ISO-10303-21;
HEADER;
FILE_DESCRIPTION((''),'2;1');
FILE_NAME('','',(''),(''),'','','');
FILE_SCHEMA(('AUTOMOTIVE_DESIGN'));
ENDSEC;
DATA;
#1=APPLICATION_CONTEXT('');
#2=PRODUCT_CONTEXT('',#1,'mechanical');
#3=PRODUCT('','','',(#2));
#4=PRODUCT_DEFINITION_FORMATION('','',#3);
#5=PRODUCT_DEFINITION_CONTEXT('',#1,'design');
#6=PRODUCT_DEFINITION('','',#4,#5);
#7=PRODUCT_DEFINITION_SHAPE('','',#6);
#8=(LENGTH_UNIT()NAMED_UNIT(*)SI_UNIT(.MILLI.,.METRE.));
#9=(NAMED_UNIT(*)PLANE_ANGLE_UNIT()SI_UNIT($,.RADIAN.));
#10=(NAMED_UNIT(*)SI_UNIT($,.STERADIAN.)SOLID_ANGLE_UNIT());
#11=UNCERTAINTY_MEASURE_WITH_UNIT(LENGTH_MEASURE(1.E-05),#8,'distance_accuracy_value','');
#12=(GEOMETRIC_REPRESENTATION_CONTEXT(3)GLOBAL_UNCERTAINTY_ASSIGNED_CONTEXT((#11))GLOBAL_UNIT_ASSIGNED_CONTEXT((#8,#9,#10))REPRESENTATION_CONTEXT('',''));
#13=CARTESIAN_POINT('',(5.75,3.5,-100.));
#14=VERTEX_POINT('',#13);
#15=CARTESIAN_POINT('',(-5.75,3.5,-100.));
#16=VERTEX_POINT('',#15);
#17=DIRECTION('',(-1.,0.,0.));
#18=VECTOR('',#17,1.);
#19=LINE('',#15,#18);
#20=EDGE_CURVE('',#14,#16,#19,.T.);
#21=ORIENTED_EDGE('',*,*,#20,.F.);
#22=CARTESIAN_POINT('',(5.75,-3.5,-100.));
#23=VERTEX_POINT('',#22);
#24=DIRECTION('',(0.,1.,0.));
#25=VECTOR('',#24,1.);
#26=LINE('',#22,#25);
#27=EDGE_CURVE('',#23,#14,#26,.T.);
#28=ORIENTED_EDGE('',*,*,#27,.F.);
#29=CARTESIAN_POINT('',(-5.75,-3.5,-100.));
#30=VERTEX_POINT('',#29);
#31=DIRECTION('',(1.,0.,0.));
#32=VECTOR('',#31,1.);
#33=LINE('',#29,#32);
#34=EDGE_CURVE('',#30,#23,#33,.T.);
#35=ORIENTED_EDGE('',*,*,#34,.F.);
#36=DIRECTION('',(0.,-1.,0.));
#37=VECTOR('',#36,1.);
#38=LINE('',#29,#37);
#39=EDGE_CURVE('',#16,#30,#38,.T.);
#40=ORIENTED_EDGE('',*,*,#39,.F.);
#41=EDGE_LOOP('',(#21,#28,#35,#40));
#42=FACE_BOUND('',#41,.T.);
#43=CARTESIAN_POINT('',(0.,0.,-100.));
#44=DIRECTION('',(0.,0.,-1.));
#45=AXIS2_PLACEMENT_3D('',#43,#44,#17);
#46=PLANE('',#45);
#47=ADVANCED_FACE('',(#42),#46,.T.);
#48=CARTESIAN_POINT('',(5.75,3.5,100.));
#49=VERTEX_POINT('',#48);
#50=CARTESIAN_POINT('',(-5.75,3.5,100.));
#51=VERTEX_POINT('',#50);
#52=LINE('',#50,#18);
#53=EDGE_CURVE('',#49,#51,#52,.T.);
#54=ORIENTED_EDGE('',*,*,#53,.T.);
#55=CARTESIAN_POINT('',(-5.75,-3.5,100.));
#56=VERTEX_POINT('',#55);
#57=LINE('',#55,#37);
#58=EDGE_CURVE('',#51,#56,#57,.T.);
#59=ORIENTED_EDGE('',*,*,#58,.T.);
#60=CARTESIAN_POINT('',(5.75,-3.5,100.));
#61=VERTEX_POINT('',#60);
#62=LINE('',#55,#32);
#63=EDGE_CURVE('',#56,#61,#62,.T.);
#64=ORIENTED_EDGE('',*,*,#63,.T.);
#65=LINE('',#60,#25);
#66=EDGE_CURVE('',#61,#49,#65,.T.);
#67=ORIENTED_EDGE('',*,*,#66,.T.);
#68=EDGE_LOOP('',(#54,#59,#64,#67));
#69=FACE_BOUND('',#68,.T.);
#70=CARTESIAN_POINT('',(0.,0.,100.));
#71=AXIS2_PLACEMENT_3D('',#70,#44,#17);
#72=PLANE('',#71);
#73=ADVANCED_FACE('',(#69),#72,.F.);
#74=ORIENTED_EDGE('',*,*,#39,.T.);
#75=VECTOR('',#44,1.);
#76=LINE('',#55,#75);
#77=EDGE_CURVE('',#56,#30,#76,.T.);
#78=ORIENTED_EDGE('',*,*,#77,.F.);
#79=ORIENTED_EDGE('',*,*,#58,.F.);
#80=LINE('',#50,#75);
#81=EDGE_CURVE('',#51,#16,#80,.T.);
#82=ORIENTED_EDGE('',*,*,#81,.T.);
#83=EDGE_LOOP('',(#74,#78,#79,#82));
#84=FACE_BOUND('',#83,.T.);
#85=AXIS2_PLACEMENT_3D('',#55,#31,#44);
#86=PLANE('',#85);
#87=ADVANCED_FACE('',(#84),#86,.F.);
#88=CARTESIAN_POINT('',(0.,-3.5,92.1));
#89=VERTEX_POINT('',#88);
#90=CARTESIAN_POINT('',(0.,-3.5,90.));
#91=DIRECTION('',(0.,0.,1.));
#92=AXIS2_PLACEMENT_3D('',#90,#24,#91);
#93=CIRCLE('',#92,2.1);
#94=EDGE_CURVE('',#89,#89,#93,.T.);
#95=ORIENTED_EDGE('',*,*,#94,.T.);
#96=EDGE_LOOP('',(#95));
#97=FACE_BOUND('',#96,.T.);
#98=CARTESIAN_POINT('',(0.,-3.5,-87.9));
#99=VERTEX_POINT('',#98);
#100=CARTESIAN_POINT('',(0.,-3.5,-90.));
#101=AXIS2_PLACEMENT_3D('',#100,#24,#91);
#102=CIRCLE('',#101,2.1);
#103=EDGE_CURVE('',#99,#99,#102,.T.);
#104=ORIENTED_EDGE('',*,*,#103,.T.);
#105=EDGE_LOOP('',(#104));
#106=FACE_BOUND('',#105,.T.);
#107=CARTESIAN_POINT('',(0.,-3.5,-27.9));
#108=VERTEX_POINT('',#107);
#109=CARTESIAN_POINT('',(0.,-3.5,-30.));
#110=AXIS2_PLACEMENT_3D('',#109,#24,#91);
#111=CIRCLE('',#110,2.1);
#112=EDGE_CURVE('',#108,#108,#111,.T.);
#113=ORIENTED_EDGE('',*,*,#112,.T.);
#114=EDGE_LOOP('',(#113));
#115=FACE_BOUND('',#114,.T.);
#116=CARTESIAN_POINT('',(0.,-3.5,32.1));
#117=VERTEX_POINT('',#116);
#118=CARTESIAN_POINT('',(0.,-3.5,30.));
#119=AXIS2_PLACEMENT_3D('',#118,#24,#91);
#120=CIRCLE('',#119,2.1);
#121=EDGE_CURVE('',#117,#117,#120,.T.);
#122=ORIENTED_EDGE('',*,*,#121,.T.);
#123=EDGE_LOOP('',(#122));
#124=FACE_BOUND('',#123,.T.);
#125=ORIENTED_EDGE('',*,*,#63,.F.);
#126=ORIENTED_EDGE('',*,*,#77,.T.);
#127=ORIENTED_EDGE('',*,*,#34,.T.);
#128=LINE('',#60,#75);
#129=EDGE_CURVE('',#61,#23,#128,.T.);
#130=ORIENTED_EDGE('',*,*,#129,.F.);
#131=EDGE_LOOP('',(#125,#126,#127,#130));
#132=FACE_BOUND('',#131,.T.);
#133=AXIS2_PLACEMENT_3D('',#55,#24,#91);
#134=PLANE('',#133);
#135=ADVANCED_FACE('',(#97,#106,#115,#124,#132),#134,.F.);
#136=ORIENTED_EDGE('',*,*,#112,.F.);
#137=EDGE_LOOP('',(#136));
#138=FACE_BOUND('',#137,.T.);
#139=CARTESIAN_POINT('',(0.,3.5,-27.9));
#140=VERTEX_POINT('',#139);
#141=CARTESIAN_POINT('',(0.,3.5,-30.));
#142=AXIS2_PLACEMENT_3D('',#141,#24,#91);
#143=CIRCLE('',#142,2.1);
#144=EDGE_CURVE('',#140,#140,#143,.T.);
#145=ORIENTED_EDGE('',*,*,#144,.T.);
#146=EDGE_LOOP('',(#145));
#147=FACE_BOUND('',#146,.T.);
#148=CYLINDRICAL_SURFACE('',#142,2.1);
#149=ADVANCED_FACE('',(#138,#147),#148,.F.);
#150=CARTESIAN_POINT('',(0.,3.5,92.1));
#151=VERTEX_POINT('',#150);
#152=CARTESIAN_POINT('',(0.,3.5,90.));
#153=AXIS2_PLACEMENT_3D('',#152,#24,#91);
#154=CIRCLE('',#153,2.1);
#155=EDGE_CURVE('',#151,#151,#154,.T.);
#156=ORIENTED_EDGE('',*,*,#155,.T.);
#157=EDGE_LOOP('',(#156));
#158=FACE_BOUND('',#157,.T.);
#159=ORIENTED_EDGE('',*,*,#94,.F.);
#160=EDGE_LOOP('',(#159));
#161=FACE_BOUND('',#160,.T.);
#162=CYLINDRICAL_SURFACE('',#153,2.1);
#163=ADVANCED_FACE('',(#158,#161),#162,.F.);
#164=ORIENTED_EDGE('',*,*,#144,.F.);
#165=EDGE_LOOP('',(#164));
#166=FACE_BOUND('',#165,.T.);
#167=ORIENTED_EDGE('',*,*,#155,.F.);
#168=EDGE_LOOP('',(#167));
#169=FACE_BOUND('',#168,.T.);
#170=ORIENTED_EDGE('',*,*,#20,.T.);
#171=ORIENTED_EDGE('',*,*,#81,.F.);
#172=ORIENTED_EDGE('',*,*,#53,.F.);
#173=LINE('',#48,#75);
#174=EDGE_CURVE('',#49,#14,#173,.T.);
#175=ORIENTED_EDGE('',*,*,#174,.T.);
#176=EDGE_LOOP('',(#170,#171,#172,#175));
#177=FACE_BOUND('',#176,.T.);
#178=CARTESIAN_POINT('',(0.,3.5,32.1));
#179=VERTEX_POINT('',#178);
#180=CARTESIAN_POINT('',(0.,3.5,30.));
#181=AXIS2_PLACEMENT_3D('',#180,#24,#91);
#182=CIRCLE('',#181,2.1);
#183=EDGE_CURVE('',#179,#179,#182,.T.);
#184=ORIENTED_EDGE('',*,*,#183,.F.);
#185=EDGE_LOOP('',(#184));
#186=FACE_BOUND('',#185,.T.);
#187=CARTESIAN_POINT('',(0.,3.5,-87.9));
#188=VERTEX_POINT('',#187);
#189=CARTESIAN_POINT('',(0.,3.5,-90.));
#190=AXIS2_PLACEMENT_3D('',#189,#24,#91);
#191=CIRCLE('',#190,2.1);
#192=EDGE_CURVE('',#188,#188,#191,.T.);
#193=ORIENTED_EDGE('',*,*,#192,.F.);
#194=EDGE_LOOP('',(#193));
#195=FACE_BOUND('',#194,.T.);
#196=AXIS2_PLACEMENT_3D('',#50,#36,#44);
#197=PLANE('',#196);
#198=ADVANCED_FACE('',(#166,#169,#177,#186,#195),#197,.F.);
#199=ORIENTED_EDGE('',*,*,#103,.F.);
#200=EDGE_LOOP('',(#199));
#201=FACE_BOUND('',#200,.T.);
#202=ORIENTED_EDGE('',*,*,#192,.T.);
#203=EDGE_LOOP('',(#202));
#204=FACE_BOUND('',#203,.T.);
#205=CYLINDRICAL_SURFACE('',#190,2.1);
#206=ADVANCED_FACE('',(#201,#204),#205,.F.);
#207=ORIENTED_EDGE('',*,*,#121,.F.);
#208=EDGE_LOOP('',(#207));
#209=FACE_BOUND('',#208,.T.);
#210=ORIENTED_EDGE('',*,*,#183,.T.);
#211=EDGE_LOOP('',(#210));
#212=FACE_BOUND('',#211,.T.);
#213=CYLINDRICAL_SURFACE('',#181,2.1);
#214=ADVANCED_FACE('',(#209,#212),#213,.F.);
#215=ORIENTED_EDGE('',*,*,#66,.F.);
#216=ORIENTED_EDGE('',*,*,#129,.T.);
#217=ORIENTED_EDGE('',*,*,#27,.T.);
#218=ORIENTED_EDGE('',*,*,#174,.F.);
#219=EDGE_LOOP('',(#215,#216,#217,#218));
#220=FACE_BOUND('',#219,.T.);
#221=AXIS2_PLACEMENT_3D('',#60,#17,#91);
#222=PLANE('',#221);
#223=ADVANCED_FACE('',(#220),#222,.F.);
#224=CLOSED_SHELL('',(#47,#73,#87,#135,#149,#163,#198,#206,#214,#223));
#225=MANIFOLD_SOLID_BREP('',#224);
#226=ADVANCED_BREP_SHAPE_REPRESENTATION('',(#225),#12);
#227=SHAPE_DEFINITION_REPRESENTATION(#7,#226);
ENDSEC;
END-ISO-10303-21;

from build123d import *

# Parameters (mm, degrees)
SKETCH1_W           = 11.5
SKETCH1_H           = 7
BOSS_EXTRUDE1_DEPTH = 100
M5_TAPPED_HOLE1_D   = 4.2


with BuildPart() as part:
    # Sketch1 → Boss-Extrude1 (new, symmetric)
    with BuildSketch(Plane.XY):
        Rectangle(SKETCH1_W, SKETCH1_H)
    extrude(amount=BOSS_EXTRUDE1_DEPTH, both=True)

    # M5 Tapped Hole1 (through all)
    with Locations(Plane(origin=(0, 3.5, 0), x_dir=(1, 0, 0), z_dir=(0, 1, 0))):
        with Locations((0, 90), (0, 30), (0, -30), (0, -90)):
            Hole(M5_TAPPED_HOLE1_D / 2)


solid = part.part
